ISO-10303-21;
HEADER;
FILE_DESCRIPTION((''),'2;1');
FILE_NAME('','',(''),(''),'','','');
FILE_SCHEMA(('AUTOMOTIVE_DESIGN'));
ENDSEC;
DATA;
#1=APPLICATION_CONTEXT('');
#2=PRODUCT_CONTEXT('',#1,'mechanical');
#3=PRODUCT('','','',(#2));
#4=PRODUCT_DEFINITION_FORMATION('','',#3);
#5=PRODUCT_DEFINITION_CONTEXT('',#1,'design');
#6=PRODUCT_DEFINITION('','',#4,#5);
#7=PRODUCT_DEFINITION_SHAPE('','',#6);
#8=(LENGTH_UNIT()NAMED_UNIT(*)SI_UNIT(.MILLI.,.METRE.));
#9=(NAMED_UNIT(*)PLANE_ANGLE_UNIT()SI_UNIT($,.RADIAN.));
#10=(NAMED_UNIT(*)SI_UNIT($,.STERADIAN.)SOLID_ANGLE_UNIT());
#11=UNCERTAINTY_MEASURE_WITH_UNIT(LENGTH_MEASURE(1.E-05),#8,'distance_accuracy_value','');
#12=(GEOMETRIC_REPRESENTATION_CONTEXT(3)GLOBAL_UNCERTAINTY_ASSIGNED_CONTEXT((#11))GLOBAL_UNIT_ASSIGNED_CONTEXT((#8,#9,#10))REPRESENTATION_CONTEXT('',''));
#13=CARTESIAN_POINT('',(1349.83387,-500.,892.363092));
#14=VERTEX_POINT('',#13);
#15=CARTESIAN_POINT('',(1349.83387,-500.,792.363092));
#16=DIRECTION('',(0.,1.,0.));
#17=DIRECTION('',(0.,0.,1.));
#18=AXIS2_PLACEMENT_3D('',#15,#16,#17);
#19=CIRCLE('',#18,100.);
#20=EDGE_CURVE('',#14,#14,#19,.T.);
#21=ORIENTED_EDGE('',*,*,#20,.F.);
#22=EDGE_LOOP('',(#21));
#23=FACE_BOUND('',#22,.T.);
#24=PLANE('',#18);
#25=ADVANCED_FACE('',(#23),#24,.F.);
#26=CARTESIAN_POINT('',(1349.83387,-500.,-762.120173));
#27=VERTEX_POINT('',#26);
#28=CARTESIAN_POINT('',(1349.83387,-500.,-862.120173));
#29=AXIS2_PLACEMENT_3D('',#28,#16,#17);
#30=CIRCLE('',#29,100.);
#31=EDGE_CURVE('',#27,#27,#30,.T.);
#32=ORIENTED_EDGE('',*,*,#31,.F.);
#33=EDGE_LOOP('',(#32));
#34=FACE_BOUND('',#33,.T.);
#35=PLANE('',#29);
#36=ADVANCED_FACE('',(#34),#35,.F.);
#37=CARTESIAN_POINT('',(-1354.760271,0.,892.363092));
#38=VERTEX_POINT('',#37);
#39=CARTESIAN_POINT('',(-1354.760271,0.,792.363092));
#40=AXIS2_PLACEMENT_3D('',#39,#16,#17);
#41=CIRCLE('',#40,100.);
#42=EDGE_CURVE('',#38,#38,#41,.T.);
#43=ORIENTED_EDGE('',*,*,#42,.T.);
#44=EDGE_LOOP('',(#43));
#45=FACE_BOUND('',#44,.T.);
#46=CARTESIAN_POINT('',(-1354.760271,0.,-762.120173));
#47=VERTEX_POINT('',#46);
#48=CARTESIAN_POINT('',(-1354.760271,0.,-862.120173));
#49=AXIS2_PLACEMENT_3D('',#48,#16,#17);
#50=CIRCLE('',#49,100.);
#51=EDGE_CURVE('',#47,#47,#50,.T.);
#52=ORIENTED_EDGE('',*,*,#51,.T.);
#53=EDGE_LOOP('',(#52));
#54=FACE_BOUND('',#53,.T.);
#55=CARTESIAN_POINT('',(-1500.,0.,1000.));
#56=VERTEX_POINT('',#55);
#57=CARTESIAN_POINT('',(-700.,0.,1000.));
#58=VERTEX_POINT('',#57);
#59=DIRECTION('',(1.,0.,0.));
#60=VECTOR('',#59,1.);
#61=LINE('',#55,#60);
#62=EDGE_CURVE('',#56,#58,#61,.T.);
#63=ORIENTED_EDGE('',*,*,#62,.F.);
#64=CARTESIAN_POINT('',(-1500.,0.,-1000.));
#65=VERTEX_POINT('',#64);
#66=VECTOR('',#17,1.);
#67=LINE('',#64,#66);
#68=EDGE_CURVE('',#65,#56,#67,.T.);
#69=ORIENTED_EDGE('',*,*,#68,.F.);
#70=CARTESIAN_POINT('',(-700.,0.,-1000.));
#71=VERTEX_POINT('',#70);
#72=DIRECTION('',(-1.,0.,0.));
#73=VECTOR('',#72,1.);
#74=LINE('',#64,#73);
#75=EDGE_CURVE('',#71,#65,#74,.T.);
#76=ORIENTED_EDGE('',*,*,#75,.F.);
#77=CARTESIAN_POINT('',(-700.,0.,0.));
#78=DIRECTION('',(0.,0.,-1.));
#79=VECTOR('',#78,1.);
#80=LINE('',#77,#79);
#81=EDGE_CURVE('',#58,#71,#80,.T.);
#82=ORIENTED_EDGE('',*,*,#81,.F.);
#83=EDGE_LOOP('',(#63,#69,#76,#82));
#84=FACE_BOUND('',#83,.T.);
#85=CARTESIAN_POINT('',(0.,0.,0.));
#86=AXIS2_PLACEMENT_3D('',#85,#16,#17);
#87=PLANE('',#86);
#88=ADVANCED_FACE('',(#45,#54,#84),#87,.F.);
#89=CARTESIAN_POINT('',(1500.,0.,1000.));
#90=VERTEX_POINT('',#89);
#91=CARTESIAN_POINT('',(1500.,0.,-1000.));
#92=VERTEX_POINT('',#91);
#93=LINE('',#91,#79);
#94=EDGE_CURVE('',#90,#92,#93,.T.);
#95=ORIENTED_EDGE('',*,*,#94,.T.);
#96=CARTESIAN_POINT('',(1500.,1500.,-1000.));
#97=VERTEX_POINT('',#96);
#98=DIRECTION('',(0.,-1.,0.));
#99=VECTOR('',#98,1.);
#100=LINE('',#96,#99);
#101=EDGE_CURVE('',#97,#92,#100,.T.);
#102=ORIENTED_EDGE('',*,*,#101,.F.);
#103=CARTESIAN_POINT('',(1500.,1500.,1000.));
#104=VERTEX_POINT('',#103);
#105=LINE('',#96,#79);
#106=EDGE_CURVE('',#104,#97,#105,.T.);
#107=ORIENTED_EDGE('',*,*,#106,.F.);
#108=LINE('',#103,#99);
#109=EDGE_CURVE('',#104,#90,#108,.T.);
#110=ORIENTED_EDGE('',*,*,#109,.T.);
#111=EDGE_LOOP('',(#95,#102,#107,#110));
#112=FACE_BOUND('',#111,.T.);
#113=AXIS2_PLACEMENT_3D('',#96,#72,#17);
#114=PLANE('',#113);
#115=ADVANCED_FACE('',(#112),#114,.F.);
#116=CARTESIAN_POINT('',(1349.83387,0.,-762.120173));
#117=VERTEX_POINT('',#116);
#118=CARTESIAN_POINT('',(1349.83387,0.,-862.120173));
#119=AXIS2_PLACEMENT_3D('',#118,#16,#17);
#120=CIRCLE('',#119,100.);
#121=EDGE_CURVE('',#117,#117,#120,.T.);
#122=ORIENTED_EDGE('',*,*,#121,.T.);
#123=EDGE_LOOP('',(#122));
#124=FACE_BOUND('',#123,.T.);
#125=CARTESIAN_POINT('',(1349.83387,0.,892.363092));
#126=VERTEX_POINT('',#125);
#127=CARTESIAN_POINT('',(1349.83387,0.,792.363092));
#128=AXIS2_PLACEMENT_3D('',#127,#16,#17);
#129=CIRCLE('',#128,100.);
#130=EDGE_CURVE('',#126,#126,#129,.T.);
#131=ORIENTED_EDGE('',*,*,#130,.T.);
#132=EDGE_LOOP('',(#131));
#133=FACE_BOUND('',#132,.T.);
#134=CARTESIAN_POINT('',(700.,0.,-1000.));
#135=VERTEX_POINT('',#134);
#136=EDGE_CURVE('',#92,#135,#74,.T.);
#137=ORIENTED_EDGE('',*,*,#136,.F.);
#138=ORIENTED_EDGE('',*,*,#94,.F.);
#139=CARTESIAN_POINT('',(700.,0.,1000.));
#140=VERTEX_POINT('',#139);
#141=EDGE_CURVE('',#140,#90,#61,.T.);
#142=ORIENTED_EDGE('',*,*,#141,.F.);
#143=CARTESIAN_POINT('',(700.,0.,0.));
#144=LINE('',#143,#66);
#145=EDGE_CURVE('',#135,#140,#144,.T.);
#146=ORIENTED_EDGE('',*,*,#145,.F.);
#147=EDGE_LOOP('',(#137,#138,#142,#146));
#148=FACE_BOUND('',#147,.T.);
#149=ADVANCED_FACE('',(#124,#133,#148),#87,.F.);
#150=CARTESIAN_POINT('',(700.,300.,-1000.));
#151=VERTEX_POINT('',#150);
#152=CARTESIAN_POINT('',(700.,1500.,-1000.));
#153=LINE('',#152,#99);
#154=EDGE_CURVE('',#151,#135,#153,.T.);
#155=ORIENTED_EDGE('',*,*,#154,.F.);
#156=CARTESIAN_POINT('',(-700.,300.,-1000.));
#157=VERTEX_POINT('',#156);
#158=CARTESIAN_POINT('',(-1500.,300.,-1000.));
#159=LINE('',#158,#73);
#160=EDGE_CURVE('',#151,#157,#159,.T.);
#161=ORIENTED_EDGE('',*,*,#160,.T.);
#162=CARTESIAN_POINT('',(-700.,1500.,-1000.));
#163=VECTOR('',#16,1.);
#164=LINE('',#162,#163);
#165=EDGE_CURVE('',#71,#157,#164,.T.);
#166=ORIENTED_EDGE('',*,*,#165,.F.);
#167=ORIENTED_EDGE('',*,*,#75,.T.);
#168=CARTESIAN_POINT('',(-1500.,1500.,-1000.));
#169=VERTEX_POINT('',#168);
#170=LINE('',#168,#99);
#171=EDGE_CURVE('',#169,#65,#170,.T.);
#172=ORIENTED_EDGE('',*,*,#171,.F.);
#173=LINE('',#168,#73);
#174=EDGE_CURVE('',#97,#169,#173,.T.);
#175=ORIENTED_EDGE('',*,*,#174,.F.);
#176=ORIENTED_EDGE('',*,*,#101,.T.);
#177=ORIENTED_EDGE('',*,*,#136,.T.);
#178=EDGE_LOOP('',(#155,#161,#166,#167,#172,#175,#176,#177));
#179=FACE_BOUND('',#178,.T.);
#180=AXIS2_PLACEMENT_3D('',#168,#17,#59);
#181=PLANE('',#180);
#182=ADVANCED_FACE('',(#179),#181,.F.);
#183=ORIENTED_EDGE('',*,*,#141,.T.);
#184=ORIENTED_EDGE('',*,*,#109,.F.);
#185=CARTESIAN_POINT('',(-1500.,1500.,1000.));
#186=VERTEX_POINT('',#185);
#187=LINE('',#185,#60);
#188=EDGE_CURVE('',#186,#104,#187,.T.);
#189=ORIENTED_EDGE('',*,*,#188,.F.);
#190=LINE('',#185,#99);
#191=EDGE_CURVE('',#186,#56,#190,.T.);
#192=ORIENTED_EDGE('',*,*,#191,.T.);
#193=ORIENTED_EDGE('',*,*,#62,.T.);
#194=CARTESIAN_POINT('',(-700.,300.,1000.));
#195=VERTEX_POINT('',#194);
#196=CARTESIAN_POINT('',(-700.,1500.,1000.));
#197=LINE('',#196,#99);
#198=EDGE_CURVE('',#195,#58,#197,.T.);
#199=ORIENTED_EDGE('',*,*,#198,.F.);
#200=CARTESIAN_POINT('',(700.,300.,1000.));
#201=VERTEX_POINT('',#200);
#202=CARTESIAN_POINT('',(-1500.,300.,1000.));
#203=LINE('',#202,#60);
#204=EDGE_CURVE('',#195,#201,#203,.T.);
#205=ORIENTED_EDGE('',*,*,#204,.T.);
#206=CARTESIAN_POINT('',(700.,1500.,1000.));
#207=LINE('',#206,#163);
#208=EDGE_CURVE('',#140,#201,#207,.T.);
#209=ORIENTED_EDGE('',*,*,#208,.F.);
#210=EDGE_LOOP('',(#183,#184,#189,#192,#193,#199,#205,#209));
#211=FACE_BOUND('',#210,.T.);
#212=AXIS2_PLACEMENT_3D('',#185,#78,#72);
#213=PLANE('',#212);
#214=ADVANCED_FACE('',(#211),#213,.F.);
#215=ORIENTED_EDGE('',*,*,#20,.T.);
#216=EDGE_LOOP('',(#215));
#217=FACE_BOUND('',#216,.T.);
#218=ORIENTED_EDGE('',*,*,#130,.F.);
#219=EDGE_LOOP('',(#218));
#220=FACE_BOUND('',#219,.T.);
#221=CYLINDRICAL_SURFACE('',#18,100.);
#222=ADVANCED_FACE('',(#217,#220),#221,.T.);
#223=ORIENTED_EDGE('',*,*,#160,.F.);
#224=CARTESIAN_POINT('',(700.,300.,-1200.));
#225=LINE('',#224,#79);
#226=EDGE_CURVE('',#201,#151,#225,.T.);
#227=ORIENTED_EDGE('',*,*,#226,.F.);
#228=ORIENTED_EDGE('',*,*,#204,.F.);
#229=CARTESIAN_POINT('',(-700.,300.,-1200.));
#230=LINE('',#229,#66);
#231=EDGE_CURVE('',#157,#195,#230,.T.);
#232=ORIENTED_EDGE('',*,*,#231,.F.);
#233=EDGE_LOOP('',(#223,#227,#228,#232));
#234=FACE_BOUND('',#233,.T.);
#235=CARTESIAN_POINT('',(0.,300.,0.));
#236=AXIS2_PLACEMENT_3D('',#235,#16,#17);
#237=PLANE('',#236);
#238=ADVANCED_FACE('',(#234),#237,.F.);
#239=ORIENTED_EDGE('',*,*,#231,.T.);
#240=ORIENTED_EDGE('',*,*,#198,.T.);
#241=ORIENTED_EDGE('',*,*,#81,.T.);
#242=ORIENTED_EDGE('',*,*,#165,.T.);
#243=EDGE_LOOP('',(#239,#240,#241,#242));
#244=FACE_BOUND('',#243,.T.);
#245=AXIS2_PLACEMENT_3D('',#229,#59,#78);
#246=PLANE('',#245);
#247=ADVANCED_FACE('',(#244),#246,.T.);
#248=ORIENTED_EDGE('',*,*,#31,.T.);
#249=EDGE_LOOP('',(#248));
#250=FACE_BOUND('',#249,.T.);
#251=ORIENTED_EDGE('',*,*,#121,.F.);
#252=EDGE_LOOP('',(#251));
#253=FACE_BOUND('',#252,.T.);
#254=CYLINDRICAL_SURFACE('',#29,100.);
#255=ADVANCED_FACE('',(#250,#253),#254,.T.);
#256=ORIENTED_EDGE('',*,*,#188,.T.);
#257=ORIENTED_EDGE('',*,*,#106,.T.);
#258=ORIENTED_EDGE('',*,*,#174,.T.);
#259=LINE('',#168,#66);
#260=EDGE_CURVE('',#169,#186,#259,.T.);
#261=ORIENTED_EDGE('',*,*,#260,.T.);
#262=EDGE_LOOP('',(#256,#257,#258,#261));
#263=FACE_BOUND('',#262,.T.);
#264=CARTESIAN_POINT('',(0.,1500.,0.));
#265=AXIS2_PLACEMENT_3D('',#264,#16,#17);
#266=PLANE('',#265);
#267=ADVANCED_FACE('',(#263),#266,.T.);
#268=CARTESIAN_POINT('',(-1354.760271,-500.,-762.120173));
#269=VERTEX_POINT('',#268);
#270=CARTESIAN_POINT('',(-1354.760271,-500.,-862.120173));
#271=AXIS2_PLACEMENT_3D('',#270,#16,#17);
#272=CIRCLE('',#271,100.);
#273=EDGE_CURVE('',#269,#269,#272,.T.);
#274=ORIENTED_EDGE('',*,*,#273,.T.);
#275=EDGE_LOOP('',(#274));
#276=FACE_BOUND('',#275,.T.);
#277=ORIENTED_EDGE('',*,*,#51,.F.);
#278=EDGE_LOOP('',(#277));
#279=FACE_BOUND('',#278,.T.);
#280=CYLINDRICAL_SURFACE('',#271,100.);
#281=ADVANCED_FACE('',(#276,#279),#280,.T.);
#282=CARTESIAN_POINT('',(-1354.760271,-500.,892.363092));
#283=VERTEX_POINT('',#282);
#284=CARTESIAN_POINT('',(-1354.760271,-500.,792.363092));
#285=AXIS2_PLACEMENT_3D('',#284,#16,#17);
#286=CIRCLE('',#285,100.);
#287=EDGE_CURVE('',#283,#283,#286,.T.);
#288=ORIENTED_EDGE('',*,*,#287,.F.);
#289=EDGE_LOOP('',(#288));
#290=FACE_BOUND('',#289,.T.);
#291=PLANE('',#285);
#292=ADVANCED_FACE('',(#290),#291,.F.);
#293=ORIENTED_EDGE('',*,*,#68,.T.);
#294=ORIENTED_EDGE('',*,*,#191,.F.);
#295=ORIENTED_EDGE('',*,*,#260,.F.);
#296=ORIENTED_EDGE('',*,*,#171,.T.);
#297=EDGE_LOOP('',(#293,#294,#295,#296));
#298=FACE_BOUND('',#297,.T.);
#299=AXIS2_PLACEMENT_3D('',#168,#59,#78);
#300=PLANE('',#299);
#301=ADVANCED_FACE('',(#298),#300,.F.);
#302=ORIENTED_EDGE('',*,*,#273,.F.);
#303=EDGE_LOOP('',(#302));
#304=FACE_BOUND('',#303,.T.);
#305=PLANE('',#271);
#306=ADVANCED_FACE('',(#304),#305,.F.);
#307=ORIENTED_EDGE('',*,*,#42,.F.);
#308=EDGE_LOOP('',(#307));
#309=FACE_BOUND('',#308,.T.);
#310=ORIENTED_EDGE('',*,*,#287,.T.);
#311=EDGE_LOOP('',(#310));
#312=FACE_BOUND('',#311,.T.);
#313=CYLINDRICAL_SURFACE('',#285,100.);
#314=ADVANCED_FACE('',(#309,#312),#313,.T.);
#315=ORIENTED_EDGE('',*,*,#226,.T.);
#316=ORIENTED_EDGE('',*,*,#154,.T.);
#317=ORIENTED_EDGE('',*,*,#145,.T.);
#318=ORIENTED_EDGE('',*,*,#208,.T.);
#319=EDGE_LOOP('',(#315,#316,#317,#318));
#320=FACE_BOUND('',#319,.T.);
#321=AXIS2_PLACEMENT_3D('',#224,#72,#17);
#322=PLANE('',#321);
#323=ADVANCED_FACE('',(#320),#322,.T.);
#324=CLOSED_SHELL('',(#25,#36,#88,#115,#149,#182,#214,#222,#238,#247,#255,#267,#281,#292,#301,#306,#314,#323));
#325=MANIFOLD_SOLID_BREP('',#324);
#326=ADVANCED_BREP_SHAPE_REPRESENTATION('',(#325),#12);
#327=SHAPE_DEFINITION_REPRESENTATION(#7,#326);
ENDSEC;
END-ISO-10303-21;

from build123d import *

# Parameters (mm, degrees)
SKETCH1_W           = 3000
SKETCH1_H           = 2000
BOSS_EXTRUDE1_DEPTH = 1500
SKETCH2_W           = 1400
SKETCH2_H           = 2400
CUT_EXTRUDE2_DEPTH  = 300
SKETCH3_R           = 100
BOSS_EXTRUDE2_DEPTH = 500


with BuildPart() as part:
    # Sketch1 → Boss-Extrude1 (new body)
    with BuildSketch(Plane(origin=(0, 0, 0), x_dir=(1, 0, 0), z_dir=(0, 1, 0))):
        Rectangle(SKETCH1_W, SKETCH1_H)
    extrude(amount=BOSS_EXTRUDE1_DEPTH)

    # Sketch2 → Cut-Extrude2 (cut)
    with BuildSketch(Plane(origin=(0, 0, 0), x_dir=(1, 0, 0), z_dir=(0, 1, 0))):
        Rectangle(SKETCH2_W, SKETCH2_H)
    extrude(amount=CUT_EXTRUDE2_DEPTH, mode=Mode.SUBTRACT)

    # Sketch3 → Boss-Extrude2 (add)
    with BuildSketch(Plane(origin=(0, 0, 0), x_dir=(1, 0, 0), z_dir=(0, 1, 0))):
        with Locations(Location((-1354.760271255, 862.120172617, 0), (0, 0, 270))):
            Circle(SKETCH3_R)
        with Locations(Location((1349.833870269, 862.120172617, 0), (0, 0, 270))):
            Circle(SKETCH3_R)
        with Locations(Location((1349.833870269, -792.363091909, 0), (0, 0, 270))):
            Circle(SKETCH3_R)
        with Locations(Location((-1354.760271255, -792.363091909, 0), (0, 0, 270))):
            Circle(SKETCH3_R)
    extrude(amount=-BOSS_EXTRUDE2_DEPTH)


solid = part.part
